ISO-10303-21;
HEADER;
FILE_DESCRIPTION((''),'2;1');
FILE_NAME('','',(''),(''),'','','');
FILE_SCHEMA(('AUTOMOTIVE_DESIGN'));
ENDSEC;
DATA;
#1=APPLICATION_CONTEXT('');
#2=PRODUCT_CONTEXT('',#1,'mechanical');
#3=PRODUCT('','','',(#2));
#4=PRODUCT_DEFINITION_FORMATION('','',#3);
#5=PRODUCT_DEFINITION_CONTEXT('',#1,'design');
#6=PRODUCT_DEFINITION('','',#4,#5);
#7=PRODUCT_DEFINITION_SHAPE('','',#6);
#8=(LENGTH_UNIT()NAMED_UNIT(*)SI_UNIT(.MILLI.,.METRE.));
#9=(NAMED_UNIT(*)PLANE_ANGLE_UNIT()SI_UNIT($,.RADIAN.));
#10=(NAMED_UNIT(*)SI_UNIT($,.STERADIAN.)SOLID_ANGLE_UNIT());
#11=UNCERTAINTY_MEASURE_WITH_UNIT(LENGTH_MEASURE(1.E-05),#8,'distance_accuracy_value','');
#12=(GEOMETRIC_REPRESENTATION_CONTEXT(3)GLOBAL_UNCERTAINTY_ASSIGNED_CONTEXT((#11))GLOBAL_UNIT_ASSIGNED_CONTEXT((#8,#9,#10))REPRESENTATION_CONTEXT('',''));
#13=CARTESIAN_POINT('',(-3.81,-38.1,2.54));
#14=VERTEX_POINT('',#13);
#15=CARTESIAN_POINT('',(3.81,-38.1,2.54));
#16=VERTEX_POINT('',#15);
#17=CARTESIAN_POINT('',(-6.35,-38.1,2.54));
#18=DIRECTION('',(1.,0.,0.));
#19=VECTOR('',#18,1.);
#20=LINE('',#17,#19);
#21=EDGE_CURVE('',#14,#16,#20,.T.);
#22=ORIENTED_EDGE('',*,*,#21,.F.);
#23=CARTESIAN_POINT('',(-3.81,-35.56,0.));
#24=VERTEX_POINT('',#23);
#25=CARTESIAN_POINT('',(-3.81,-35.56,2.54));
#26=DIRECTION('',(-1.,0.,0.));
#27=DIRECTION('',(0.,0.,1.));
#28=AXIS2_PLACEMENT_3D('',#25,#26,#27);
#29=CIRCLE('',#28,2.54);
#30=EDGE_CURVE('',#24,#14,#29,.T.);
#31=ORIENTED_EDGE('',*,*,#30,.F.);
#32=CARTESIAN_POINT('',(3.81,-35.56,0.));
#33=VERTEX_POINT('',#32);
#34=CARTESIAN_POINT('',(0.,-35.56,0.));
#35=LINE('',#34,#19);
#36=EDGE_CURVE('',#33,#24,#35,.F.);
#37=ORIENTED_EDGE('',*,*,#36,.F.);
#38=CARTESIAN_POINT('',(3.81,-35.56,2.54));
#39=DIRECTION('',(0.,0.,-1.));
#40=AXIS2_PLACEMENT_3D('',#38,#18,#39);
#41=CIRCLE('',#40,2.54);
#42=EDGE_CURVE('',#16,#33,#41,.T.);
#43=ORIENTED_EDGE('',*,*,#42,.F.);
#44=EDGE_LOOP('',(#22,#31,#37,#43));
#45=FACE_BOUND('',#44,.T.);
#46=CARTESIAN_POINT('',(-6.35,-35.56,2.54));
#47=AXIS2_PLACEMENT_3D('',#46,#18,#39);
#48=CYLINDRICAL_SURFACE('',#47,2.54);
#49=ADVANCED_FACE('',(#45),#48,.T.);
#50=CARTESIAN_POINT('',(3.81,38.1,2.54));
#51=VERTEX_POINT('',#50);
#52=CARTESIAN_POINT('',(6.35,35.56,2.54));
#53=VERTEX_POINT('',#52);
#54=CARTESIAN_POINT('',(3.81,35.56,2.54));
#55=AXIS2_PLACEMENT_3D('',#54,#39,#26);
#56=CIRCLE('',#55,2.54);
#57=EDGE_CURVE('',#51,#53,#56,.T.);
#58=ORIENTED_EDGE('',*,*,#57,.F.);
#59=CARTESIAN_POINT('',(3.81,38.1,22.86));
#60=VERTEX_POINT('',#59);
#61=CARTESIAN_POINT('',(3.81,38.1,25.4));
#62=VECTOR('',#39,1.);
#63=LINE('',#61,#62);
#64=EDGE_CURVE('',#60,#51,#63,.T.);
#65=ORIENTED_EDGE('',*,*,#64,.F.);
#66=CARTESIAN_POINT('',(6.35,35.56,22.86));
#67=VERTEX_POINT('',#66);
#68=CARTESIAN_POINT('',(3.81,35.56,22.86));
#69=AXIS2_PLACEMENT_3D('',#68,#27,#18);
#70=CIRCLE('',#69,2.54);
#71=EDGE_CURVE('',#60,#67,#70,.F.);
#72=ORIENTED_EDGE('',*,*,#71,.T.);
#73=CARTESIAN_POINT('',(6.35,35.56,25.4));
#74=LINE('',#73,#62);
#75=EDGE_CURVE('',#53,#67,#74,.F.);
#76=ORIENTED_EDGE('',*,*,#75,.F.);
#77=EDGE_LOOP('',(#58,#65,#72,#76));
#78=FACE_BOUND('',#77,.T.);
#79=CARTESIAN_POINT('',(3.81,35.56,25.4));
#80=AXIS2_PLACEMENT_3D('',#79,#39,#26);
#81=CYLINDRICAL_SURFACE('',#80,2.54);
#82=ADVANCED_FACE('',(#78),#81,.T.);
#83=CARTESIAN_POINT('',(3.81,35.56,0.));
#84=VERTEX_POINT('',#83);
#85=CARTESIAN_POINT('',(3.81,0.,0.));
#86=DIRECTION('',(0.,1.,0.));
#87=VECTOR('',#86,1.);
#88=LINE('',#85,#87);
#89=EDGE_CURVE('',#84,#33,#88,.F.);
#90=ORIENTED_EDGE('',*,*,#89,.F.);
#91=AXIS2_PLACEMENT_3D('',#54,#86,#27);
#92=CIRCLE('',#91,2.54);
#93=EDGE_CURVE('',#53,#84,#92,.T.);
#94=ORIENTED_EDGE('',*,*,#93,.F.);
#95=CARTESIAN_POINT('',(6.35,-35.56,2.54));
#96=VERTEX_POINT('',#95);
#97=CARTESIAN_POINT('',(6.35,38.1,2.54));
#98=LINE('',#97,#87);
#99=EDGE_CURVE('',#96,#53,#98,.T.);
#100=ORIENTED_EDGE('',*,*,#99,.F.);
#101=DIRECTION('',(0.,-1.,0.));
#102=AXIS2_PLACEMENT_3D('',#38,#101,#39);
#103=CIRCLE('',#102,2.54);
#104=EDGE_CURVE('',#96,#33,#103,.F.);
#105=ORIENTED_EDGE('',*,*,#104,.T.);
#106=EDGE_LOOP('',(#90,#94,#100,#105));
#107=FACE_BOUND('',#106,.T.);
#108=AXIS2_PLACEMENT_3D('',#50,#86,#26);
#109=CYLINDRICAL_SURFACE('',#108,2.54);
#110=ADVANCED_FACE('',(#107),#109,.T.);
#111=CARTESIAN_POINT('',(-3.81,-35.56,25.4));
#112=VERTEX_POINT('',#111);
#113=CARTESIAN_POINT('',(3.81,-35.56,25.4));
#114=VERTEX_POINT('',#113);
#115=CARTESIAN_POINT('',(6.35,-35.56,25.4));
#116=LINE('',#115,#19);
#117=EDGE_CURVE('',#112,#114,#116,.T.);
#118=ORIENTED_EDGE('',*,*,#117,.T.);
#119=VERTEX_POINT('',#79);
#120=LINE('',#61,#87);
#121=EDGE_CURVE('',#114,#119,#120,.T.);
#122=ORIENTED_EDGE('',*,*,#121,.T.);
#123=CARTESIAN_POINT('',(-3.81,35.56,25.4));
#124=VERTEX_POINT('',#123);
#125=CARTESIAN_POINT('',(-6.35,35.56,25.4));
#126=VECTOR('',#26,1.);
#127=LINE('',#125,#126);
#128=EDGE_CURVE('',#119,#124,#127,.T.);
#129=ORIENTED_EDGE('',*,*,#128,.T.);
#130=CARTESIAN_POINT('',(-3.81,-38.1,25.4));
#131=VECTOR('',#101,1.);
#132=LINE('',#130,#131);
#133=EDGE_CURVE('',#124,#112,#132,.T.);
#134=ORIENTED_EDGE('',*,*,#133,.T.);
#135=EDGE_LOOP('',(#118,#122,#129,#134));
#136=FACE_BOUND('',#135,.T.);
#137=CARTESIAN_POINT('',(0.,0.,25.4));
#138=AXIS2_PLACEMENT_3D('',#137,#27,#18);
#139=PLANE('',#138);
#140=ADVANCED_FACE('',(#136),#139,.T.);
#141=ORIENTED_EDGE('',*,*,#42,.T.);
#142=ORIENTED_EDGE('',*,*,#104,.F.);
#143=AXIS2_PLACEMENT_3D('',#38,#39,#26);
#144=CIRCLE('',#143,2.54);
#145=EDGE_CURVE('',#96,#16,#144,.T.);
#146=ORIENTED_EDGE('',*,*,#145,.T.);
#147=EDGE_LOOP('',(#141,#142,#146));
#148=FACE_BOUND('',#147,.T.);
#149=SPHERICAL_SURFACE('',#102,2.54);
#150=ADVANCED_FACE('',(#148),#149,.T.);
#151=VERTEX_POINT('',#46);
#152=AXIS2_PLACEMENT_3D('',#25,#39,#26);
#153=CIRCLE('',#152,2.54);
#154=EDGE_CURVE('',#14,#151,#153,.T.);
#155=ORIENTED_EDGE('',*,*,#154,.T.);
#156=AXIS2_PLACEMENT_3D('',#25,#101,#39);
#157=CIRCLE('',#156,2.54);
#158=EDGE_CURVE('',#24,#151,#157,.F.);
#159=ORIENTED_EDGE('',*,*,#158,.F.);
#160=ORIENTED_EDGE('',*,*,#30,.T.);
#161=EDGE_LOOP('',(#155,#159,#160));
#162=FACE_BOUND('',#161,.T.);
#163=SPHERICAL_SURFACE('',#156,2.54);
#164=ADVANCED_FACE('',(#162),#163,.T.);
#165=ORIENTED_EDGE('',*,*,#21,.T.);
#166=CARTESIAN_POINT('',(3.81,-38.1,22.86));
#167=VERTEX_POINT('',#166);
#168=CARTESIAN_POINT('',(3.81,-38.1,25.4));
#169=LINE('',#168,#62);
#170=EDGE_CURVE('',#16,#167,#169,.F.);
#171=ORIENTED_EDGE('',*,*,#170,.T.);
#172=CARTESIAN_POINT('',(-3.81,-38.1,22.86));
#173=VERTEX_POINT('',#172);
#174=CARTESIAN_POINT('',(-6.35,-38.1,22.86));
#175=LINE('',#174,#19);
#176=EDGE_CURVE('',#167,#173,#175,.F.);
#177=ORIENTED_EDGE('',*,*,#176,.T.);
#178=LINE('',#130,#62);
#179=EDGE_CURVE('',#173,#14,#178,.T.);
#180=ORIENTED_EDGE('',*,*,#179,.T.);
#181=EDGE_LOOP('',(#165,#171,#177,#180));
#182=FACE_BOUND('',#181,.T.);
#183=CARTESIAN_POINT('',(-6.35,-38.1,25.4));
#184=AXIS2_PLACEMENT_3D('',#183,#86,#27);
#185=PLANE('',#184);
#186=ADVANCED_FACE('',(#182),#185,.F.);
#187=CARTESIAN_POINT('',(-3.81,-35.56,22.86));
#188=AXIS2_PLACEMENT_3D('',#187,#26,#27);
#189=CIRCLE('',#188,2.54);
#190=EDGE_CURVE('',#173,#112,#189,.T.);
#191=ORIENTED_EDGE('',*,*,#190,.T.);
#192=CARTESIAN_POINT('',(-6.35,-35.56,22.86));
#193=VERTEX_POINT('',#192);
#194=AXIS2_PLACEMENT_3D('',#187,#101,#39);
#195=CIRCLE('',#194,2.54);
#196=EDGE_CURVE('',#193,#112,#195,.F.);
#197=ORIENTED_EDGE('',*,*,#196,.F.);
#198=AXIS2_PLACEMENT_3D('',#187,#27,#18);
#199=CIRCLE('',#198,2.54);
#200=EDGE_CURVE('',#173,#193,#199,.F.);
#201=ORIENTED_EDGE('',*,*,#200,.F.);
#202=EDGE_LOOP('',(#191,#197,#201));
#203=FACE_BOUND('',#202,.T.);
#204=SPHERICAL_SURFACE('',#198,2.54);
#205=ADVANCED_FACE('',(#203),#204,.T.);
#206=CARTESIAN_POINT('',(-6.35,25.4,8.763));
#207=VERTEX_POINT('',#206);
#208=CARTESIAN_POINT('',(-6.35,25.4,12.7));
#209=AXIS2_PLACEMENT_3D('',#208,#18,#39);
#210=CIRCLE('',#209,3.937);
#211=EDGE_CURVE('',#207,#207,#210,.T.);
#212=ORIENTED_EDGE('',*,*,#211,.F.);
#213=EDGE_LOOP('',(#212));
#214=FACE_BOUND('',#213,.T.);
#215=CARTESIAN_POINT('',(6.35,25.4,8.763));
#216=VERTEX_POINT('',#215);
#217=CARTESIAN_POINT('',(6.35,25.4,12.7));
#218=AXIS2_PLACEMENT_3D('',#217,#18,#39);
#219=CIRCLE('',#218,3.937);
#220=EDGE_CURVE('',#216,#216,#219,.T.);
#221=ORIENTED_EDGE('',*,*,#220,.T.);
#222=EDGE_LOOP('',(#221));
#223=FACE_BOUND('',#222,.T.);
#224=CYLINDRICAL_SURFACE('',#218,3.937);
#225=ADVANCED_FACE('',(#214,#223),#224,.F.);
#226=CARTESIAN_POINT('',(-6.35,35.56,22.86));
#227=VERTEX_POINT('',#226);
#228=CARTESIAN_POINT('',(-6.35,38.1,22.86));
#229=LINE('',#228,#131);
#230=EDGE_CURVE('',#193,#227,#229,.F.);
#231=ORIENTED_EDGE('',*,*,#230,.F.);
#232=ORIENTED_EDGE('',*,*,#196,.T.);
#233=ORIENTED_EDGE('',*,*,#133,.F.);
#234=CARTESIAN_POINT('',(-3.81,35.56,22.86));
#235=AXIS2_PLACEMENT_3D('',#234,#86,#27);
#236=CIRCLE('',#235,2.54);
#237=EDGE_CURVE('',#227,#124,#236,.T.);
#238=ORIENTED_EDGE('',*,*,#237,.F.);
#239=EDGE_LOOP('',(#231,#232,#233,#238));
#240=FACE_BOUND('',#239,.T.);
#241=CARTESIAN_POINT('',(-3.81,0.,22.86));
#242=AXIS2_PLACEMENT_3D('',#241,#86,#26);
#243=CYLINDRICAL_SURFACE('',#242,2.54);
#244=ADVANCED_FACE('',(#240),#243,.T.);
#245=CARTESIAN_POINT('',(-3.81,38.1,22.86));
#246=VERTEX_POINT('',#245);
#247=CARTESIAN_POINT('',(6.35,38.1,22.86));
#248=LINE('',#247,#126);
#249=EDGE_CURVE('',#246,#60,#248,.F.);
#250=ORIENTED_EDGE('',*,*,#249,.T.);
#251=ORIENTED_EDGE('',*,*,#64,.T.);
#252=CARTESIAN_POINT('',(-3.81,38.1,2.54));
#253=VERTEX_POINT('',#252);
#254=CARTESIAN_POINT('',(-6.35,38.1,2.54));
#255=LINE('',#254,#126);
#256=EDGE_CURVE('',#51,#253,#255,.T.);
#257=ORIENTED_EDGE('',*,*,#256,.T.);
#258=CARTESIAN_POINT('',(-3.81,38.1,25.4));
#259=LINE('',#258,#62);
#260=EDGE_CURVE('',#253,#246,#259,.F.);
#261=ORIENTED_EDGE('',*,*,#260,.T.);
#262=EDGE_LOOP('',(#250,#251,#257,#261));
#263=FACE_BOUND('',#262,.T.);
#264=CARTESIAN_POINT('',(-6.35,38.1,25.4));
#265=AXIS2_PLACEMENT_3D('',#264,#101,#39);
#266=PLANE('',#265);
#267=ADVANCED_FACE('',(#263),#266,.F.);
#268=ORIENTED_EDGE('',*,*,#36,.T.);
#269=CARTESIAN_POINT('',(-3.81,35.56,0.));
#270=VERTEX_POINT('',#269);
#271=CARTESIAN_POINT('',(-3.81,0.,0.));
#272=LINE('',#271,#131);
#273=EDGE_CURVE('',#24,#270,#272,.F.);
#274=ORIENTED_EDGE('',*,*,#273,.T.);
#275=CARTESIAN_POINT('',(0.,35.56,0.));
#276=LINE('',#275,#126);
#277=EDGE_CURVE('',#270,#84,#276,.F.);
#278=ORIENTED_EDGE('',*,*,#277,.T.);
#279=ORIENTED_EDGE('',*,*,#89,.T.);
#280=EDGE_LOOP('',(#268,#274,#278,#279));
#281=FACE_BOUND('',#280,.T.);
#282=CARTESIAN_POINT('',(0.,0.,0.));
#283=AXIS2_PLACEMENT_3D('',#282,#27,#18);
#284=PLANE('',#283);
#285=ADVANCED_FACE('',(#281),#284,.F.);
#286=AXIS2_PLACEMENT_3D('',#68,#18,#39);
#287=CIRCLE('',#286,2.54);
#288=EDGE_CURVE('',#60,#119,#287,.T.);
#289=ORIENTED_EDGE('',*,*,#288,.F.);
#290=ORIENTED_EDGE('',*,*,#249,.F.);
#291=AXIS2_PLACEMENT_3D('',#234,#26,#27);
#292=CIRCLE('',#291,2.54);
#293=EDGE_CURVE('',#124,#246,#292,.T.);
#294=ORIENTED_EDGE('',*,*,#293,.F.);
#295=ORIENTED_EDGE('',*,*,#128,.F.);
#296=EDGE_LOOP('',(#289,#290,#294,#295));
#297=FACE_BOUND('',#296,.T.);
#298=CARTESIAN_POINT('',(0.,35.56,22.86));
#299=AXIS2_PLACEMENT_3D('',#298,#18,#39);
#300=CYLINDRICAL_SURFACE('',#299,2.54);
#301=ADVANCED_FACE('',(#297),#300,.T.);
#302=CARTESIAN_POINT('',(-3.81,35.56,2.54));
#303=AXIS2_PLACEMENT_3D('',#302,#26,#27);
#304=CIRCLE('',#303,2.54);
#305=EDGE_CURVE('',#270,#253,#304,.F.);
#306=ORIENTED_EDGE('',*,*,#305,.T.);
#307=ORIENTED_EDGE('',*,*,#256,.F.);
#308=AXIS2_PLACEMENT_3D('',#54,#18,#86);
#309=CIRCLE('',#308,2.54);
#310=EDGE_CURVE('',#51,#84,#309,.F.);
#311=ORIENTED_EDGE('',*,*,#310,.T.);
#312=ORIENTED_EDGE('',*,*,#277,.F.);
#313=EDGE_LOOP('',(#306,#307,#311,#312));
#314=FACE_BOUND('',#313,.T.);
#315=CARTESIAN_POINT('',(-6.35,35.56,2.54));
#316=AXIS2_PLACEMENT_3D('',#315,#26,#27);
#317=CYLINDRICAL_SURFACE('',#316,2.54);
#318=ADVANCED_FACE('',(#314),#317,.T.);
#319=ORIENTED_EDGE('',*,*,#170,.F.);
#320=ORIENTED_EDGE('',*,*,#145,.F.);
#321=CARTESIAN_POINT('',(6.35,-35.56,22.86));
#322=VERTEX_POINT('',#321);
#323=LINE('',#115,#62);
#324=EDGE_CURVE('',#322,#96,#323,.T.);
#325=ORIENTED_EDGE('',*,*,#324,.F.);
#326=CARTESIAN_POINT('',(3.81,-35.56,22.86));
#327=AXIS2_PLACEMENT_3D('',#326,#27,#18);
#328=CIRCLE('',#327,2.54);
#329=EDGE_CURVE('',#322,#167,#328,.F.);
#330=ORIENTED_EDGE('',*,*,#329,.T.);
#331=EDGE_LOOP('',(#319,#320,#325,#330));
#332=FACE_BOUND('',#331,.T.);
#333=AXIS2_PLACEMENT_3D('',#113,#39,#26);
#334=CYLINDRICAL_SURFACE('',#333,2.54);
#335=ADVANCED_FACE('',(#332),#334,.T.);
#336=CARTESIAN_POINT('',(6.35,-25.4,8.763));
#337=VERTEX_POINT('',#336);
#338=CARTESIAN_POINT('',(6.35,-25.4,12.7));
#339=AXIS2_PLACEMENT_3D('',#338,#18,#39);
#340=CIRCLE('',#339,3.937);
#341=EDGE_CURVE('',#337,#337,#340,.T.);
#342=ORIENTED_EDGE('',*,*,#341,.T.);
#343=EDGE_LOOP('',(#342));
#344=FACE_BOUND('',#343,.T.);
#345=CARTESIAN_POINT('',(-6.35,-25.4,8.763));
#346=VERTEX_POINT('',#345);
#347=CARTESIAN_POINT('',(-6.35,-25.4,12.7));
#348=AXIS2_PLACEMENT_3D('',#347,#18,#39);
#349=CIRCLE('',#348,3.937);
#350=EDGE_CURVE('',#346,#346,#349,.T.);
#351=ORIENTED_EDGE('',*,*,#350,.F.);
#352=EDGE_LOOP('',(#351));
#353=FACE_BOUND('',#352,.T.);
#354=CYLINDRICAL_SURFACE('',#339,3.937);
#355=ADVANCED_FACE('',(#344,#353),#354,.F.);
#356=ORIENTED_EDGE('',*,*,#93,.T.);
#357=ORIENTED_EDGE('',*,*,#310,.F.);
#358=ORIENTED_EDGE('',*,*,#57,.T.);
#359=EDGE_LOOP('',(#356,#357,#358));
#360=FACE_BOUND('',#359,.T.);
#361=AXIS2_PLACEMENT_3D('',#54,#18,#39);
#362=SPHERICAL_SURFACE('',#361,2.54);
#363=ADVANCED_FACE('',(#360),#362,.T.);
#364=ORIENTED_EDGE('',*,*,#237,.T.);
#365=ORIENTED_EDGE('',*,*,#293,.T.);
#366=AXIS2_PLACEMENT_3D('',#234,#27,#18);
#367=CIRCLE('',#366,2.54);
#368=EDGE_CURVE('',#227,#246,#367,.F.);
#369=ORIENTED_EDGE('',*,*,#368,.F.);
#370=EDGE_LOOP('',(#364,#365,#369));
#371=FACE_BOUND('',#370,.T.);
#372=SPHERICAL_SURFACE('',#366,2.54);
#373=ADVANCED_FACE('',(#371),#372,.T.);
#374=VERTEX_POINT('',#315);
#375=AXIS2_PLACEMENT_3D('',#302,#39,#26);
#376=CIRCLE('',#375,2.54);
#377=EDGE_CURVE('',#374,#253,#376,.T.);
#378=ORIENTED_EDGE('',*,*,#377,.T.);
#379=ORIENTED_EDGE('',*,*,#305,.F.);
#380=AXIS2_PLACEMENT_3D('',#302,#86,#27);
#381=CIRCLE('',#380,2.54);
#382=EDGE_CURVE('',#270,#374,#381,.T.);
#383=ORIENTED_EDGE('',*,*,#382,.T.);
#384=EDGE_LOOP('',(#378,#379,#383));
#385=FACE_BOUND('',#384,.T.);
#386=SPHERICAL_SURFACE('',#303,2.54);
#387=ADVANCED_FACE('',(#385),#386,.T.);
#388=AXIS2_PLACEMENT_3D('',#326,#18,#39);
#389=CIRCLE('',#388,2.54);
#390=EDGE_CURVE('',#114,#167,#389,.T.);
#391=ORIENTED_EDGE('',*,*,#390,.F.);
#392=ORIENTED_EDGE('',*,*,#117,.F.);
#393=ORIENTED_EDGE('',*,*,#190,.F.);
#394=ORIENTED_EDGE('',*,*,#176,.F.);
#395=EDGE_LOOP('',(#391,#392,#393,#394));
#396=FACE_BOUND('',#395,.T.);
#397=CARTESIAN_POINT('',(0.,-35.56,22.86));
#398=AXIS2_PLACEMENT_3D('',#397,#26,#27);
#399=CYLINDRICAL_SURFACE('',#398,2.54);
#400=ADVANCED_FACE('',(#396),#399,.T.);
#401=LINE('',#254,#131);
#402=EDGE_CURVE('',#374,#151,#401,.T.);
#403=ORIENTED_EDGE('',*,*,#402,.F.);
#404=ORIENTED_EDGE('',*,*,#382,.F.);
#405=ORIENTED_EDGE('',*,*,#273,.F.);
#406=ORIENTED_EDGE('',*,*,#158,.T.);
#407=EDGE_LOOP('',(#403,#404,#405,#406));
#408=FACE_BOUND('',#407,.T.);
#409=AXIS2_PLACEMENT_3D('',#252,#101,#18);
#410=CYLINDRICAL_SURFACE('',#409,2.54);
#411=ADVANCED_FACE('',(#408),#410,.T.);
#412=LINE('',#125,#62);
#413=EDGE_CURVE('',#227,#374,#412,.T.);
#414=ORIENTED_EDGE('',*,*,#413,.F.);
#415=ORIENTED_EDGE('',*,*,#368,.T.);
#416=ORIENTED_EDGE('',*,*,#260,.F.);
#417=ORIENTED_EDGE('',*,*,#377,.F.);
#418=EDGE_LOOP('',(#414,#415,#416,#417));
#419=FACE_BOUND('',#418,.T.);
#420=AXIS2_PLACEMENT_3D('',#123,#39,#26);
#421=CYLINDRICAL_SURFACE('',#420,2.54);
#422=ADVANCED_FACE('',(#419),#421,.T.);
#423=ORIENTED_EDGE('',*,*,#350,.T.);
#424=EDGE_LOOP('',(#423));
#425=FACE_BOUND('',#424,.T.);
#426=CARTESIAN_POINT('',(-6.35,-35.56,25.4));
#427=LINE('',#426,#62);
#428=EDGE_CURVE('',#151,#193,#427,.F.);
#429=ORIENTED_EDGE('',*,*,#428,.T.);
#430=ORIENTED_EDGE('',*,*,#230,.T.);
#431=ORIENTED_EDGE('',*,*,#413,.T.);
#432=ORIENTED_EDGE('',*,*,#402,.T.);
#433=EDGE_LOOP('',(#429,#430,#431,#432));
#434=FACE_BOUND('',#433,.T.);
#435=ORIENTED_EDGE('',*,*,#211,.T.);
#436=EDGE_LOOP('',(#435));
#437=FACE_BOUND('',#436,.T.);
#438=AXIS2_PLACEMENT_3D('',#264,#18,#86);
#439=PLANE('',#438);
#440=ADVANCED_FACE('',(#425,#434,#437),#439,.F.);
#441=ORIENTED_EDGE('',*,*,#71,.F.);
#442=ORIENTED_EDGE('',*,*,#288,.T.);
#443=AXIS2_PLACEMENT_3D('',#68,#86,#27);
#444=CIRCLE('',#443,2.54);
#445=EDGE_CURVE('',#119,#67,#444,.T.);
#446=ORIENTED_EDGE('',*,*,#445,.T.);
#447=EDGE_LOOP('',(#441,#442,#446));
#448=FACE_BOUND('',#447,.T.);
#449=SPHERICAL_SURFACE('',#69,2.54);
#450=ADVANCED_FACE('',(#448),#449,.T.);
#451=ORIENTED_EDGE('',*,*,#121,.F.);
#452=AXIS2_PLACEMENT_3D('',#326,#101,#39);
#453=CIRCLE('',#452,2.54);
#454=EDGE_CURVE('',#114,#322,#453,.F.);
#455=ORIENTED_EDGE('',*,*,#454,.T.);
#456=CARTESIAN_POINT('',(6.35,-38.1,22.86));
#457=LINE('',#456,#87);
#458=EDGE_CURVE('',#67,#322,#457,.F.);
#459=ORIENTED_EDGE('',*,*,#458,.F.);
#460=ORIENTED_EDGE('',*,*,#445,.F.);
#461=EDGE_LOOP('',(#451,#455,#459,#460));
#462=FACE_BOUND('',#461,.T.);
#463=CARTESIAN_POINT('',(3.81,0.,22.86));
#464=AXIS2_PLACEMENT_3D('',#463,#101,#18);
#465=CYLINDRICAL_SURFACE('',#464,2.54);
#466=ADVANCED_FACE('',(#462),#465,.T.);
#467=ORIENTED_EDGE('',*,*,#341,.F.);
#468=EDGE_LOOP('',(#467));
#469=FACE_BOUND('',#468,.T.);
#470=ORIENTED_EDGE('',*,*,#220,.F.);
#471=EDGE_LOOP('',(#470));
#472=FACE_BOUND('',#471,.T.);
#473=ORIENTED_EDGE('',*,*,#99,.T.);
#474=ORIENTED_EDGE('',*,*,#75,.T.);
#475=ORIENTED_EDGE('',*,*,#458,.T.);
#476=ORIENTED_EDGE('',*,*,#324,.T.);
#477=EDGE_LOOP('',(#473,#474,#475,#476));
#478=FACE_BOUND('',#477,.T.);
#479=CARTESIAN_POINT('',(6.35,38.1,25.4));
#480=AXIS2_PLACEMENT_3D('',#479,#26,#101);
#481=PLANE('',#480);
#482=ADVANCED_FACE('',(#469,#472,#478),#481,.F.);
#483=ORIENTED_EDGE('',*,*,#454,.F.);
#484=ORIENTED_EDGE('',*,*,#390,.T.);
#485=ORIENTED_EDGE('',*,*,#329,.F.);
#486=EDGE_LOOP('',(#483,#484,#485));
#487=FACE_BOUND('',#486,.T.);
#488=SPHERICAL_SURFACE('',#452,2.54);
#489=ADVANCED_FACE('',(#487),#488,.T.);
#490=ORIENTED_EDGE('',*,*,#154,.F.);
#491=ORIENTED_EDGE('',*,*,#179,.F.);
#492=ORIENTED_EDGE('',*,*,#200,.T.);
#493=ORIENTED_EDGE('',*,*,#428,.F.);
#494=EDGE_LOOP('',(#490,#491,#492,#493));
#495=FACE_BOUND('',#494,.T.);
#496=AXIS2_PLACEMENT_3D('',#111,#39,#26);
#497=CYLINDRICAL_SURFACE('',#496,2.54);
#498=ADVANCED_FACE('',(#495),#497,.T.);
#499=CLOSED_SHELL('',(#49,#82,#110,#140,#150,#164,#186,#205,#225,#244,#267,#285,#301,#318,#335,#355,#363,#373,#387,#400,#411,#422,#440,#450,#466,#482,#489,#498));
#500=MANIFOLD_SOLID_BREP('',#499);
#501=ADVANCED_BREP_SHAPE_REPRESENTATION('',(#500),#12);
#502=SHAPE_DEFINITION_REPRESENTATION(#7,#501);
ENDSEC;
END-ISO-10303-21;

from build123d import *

# Parameters (mm, degrees)
SKETCH1_W                  = 12.7
SKETCH1_H                  = 76.2
BOSS_EXTRUDE1_DEPTH        = 25.4
F_97_0_31_DIAMETER_HOLE1_D = 7.874
FILLET1_R                  = 2.54


with BuildPart() as part:
    # Sketch1 → Boss-Extrude1 (new body)
    with BuildSketch(Plane.XY):
        Rectangle(SKETCH1_W, SKETCH1_H)
    extrude(amount=BOSS_EXTRUDE1_DEPTH)

    # #97 (0.31) Diameter Hole1 (through all)
    with Locations(Plane(origin=(6.35, 0, 0), x_dir=(0, 0, -1), z_dir=(1, 0, 0))):
        with Locations((-12.7, 25.4), (-12.7, -25.4)):
            Hole(F_97_0_31_DIAMETER_HOLE1_D / 2)

    # Fillet1
    fillet1_edges = [part.edges().sort_by_distance(p)[0] for p in [
        (-6.35, 0, 25.4),
        (0, -38.1, 25.4),
        (6.35, 0, 25.4),
        (0, -38.1, 0),
        (-6.35, 0, 0),
        (0, 38.1, 0),
        (6.35, 0, 0),
        (6.35, -38.1, 12.7),
        (-6.35, -38.1, 12.7),
        (-6.35, 38.1, 12.7),
        (6.35, 38.1, 12.7),
        (0, 38.1, 25.4),
    ]]
    fillet(fillet1_edges, radius=FILLET1_R)


solid = part.part
